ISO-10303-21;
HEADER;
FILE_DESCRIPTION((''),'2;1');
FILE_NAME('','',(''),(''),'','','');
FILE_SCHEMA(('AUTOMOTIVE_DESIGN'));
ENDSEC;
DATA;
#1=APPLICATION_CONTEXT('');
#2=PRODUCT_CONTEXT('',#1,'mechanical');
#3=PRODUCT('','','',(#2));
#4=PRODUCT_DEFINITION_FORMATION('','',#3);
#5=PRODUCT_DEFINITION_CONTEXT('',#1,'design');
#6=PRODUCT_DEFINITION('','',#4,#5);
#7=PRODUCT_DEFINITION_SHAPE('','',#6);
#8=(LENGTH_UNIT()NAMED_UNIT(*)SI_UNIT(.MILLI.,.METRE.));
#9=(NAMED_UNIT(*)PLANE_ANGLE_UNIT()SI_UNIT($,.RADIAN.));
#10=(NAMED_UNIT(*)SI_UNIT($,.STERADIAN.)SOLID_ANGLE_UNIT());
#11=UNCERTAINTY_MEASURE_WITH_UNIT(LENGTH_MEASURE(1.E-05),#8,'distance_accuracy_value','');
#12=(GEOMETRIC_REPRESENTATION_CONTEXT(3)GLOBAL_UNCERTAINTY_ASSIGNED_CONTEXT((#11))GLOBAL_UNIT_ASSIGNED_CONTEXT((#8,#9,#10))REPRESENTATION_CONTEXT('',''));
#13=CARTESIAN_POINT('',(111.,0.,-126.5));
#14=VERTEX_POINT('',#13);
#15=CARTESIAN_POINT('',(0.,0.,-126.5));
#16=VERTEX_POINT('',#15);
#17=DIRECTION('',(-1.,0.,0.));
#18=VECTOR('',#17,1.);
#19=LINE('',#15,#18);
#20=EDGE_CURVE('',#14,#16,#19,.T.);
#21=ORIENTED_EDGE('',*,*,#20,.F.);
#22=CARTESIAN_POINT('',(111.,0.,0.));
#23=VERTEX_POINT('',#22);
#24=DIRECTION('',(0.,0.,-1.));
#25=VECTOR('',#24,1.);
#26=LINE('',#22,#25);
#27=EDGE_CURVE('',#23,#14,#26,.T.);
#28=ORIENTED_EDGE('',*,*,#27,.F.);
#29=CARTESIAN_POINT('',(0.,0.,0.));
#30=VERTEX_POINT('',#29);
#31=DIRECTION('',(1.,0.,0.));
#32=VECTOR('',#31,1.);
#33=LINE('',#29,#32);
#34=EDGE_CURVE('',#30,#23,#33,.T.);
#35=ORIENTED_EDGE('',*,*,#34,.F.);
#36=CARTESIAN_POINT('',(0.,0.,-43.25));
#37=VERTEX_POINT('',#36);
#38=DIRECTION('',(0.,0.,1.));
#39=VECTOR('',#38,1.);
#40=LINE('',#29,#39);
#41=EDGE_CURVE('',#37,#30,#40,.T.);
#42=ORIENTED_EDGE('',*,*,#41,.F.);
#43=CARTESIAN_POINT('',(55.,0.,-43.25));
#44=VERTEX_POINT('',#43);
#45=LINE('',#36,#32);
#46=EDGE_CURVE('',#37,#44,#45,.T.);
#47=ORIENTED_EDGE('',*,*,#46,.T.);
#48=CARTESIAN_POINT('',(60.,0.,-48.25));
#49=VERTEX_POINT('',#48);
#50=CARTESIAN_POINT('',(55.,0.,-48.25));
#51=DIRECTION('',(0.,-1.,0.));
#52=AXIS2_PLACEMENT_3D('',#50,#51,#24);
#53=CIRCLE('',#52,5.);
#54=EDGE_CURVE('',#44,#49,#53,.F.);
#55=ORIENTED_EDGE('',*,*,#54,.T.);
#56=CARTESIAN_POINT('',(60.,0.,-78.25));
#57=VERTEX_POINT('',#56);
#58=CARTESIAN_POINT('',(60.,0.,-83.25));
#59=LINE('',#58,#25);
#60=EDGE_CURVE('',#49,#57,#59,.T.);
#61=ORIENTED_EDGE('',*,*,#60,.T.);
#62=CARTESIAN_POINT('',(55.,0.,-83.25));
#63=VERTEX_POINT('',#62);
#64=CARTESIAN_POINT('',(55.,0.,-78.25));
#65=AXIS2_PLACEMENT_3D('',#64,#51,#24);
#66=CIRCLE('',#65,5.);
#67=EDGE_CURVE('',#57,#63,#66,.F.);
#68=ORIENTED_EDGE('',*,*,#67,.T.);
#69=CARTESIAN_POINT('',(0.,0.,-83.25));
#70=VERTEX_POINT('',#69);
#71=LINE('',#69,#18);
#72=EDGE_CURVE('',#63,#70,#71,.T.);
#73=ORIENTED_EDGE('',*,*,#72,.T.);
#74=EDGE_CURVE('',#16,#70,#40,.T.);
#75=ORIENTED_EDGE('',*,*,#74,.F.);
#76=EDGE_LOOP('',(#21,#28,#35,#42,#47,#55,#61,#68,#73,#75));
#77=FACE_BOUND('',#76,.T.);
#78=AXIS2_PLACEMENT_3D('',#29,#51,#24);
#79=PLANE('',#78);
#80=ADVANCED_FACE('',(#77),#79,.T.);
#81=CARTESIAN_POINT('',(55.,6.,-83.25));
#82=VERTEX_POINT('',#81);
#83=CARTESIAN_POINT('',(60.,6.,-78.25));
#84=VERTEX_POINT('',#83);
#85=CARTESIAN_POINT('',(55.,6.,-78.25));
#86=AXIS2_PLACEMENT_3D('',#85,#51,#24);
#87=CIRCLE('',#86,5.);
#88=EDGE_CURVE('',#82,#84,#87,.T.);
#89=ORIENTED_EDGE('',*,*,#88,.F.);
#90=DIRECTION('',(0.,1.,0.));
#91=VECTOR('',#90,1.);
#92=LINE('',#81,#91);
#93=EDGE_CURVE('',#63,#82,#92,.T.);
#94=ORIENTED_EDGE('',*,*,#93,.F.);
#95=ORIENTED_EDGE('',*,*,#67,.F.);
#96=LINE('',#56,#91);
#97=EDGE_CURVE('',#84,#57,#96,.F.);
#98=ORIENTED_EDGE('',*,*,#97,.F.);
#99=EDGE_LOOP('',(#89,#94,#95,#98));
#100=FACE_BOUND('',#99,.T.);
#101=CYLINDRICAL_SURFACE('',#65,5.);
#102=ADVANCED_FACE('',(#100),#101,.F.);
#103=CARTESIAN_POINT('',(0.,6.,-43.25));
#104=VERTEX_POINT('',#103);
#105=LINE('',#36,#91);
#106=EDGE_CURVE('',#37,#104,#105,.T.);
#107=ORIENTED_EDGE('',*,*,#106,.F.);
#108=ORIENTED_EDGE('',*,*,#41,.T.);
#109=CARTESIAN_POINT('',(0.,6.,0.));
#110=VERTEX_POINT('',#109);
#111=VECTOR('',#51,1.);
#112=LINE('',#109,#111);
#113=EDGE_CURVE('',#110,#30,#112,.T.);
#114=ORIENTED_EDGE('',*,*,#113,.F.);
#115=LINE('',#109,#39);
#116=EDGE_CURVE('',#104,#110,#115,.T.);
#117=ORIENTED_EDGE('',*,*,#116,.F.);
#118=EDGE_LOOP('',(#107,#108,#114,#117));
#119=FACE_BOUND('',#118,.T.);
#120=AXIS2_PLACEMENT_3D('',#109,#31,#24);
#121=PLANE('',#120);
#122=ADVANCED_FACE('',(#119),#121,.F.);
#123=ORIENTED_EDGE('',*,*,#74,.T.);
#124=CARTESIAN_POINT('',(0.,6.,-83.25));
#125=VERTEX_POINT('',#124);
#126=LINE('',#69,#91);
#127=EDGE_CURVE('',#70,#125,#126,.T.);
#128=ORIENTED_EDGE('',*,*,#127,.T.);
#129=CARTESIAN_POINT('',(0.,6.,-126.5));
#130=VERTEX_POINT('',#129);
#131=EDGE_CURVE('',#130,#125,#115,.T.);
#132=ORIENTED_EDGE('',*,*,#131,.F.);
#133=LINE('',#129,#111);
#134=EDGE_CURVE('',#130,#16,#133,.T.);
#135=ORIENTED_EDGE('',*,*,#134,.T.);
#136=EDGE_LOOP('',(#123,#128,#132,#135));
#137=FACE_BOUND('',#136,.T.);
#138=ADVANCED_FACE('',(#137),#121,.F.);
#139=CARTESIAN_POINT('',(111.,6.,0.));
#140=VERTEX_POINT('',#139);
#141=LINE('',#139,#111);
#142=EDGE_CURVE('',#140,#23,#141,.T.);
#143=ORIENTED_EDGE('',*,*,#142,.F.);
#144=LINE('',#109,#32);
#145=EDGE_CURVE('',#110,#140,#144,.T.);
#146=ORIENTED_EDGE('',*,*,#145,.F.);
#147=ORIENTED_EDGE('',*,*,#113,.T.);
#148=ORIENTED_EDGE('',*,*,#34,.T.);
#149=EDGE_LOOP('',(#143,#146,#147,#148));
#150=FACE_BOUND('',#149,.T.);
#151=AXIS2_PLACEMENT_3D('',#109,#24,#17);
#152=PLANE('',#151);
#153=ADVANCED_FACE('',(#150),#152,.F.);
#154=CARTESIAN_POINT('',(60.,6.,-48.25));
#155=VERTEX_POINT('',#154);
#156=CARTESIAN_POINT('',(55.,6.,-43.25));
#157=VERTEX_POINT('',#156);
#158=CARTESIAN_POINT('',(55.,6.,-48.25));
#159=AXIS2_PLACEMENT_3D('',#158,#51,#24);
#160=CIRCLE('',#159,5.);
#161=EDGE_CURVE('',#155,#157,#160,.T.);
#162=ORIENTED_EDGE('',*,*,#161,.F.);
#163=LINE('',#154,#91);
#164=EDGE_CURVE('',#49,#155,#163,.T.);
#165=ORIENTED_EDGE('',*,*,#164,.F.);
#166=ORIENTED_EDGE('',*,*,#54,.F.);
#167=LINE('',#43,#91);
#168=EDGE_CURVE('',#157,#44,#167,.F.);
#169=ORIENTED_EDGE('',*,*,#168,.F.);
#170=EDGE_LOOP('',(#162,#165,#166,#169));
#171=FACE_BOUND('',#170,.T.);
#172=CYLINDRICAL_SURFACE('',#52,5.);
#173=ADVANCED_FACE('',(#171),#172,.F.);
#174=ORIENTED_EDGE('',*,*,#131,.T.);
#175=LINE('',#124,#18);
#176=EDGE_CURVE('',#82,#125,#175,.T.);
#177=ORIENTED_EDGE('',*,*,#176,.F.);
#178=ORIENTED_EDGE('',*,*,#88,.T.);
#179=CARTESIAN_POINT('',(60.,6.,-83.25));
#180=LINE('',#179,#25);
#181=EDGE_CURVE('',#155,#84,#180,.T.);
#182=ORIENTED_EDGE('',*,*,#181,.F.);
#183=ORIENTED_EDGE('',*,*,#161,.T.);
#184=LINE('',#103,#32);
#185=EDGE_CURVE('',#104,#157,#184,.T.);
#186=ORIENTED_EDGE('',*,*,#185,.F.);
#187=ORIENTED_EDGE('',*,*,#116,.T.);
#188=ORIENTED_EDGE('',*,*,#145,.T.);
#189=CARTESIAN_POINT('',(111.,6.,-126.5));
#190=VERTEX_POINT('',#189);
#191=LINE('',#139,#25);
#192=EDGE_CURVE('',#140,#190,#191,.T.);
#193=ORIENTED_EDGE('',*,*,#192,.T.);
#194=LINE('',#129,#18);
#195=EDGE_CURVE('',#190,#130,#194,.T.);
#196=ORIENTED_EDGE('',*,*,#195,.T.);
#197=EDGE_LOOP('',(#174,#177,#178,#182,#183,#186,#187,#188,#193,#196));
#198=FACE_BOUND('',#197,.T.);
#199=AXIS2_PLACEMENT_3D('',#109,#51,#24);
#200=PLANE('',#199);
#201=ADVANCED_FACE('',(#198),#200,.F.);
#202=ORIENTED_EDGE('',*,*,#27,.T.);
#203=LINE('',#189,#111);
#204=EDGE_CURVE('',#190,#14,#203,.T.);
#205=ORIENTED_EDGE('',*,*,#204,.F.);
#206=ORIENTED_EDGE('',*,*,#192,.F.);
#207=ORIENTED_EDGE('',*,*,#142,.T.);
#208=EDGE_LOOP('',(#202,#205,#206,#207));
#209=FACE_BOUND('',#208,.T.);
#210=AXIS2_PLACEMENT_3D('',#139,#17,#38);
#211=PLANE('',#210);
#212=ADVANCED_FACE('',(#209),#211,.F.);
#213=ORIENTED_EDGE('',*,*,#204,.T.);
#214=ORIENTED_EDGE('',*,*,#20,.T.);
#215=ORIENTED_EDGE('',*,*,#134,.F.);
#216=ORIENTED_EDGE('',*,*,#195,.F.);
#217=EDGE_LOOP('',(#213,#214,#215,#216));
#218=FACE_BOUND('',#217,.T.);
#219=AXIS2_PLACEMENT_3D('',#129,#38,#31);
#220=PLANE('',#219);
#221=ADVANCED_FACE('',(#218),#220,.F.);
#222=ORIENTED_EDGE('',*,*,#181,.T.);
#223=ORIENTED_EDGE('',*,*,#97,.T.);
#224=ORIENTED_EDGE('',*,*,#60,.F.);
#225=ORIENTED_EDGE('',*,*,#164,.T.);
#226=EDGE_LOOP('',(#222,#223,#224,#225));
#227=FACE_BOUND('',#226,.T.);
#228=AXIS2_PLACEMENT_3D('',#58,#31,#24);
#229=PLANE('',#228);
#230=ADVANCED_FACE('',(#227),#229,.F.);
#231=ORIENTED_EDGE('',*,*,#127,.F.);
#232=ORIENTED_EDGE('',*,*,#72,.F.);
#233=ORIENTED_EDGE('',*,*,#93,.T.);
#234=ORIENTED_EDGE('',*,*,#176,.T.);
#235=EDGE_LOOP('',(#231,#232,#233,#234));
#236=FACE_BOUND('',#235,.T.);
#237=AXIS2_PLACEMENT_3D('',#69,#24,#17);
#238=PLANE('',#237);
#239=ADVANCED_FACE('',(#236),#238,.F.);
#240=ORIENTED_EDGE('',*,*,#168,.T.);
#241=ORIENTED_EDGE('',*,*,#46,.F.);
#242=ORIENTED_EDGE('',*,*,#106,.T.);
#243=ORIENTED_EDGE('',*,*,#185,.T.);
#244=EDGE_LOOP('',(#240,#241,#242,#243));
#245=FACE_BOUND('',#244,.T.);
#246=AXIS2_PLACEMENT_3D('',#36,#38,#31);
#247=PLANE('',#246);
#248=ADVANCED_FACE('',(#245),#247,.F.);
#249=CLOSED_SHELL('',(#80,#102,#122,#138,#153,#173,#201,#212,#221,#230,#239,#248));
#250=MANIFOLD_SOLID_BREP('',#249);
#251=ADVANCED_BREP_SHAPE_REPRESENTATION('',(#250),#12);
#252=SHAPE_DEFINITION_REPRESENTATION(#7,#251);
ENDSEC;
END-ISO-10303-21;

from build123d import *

# Parameters (mm, degrees)
SKETCH1_W           = 111
SKETCH1_H           = 126.5
BOSS_EXTRUDE1_DEPTH = 6
SKETCH2_W           = 60
SKETCH2_H           = 40
CUT_EXTRUDE1_DEPTH  = 7
FILLET1_R           = 5


with BuildPart() as part:
    # Sketch1 → Boss-Extrude1 (new body)
    with BuildSketch(Plane(origin=(0, 0, 0), x_dir=(1, 0, 0), z_dir=(0, 1, 0))):
        with Locations((55.5, 63.25)):
            Rectangle(SKETCH1_W, SKETCH1_H)
    extrude(amount=BOSS_EXTRUDE1_DEPTH)

    # Sketch2 → Cut-Extrude1 (cut, through all)
    with BuildSketch(Plane(origin=(0, 6, 0), x_dir=(1, 0, 0), z_dir=(0, 1, 0))):
        with Locations((30, 63.25)):
            Rectangle(SKETCH2_W, SKETCH2_H)
    extrude(amount=-CUT_EXTRUDE1_DEPTH, mode=Mode.SUBTRACT)

    # Fillet1
    fillet1_edges = [part.edges().sort_by_distance(p)[0] for p in [
        (60, 3, -83.25),
        (60, 3, -43.25),
    ]]
    fillet(fillet1_edges, radius=FILLET1_R)


solid = part.part
